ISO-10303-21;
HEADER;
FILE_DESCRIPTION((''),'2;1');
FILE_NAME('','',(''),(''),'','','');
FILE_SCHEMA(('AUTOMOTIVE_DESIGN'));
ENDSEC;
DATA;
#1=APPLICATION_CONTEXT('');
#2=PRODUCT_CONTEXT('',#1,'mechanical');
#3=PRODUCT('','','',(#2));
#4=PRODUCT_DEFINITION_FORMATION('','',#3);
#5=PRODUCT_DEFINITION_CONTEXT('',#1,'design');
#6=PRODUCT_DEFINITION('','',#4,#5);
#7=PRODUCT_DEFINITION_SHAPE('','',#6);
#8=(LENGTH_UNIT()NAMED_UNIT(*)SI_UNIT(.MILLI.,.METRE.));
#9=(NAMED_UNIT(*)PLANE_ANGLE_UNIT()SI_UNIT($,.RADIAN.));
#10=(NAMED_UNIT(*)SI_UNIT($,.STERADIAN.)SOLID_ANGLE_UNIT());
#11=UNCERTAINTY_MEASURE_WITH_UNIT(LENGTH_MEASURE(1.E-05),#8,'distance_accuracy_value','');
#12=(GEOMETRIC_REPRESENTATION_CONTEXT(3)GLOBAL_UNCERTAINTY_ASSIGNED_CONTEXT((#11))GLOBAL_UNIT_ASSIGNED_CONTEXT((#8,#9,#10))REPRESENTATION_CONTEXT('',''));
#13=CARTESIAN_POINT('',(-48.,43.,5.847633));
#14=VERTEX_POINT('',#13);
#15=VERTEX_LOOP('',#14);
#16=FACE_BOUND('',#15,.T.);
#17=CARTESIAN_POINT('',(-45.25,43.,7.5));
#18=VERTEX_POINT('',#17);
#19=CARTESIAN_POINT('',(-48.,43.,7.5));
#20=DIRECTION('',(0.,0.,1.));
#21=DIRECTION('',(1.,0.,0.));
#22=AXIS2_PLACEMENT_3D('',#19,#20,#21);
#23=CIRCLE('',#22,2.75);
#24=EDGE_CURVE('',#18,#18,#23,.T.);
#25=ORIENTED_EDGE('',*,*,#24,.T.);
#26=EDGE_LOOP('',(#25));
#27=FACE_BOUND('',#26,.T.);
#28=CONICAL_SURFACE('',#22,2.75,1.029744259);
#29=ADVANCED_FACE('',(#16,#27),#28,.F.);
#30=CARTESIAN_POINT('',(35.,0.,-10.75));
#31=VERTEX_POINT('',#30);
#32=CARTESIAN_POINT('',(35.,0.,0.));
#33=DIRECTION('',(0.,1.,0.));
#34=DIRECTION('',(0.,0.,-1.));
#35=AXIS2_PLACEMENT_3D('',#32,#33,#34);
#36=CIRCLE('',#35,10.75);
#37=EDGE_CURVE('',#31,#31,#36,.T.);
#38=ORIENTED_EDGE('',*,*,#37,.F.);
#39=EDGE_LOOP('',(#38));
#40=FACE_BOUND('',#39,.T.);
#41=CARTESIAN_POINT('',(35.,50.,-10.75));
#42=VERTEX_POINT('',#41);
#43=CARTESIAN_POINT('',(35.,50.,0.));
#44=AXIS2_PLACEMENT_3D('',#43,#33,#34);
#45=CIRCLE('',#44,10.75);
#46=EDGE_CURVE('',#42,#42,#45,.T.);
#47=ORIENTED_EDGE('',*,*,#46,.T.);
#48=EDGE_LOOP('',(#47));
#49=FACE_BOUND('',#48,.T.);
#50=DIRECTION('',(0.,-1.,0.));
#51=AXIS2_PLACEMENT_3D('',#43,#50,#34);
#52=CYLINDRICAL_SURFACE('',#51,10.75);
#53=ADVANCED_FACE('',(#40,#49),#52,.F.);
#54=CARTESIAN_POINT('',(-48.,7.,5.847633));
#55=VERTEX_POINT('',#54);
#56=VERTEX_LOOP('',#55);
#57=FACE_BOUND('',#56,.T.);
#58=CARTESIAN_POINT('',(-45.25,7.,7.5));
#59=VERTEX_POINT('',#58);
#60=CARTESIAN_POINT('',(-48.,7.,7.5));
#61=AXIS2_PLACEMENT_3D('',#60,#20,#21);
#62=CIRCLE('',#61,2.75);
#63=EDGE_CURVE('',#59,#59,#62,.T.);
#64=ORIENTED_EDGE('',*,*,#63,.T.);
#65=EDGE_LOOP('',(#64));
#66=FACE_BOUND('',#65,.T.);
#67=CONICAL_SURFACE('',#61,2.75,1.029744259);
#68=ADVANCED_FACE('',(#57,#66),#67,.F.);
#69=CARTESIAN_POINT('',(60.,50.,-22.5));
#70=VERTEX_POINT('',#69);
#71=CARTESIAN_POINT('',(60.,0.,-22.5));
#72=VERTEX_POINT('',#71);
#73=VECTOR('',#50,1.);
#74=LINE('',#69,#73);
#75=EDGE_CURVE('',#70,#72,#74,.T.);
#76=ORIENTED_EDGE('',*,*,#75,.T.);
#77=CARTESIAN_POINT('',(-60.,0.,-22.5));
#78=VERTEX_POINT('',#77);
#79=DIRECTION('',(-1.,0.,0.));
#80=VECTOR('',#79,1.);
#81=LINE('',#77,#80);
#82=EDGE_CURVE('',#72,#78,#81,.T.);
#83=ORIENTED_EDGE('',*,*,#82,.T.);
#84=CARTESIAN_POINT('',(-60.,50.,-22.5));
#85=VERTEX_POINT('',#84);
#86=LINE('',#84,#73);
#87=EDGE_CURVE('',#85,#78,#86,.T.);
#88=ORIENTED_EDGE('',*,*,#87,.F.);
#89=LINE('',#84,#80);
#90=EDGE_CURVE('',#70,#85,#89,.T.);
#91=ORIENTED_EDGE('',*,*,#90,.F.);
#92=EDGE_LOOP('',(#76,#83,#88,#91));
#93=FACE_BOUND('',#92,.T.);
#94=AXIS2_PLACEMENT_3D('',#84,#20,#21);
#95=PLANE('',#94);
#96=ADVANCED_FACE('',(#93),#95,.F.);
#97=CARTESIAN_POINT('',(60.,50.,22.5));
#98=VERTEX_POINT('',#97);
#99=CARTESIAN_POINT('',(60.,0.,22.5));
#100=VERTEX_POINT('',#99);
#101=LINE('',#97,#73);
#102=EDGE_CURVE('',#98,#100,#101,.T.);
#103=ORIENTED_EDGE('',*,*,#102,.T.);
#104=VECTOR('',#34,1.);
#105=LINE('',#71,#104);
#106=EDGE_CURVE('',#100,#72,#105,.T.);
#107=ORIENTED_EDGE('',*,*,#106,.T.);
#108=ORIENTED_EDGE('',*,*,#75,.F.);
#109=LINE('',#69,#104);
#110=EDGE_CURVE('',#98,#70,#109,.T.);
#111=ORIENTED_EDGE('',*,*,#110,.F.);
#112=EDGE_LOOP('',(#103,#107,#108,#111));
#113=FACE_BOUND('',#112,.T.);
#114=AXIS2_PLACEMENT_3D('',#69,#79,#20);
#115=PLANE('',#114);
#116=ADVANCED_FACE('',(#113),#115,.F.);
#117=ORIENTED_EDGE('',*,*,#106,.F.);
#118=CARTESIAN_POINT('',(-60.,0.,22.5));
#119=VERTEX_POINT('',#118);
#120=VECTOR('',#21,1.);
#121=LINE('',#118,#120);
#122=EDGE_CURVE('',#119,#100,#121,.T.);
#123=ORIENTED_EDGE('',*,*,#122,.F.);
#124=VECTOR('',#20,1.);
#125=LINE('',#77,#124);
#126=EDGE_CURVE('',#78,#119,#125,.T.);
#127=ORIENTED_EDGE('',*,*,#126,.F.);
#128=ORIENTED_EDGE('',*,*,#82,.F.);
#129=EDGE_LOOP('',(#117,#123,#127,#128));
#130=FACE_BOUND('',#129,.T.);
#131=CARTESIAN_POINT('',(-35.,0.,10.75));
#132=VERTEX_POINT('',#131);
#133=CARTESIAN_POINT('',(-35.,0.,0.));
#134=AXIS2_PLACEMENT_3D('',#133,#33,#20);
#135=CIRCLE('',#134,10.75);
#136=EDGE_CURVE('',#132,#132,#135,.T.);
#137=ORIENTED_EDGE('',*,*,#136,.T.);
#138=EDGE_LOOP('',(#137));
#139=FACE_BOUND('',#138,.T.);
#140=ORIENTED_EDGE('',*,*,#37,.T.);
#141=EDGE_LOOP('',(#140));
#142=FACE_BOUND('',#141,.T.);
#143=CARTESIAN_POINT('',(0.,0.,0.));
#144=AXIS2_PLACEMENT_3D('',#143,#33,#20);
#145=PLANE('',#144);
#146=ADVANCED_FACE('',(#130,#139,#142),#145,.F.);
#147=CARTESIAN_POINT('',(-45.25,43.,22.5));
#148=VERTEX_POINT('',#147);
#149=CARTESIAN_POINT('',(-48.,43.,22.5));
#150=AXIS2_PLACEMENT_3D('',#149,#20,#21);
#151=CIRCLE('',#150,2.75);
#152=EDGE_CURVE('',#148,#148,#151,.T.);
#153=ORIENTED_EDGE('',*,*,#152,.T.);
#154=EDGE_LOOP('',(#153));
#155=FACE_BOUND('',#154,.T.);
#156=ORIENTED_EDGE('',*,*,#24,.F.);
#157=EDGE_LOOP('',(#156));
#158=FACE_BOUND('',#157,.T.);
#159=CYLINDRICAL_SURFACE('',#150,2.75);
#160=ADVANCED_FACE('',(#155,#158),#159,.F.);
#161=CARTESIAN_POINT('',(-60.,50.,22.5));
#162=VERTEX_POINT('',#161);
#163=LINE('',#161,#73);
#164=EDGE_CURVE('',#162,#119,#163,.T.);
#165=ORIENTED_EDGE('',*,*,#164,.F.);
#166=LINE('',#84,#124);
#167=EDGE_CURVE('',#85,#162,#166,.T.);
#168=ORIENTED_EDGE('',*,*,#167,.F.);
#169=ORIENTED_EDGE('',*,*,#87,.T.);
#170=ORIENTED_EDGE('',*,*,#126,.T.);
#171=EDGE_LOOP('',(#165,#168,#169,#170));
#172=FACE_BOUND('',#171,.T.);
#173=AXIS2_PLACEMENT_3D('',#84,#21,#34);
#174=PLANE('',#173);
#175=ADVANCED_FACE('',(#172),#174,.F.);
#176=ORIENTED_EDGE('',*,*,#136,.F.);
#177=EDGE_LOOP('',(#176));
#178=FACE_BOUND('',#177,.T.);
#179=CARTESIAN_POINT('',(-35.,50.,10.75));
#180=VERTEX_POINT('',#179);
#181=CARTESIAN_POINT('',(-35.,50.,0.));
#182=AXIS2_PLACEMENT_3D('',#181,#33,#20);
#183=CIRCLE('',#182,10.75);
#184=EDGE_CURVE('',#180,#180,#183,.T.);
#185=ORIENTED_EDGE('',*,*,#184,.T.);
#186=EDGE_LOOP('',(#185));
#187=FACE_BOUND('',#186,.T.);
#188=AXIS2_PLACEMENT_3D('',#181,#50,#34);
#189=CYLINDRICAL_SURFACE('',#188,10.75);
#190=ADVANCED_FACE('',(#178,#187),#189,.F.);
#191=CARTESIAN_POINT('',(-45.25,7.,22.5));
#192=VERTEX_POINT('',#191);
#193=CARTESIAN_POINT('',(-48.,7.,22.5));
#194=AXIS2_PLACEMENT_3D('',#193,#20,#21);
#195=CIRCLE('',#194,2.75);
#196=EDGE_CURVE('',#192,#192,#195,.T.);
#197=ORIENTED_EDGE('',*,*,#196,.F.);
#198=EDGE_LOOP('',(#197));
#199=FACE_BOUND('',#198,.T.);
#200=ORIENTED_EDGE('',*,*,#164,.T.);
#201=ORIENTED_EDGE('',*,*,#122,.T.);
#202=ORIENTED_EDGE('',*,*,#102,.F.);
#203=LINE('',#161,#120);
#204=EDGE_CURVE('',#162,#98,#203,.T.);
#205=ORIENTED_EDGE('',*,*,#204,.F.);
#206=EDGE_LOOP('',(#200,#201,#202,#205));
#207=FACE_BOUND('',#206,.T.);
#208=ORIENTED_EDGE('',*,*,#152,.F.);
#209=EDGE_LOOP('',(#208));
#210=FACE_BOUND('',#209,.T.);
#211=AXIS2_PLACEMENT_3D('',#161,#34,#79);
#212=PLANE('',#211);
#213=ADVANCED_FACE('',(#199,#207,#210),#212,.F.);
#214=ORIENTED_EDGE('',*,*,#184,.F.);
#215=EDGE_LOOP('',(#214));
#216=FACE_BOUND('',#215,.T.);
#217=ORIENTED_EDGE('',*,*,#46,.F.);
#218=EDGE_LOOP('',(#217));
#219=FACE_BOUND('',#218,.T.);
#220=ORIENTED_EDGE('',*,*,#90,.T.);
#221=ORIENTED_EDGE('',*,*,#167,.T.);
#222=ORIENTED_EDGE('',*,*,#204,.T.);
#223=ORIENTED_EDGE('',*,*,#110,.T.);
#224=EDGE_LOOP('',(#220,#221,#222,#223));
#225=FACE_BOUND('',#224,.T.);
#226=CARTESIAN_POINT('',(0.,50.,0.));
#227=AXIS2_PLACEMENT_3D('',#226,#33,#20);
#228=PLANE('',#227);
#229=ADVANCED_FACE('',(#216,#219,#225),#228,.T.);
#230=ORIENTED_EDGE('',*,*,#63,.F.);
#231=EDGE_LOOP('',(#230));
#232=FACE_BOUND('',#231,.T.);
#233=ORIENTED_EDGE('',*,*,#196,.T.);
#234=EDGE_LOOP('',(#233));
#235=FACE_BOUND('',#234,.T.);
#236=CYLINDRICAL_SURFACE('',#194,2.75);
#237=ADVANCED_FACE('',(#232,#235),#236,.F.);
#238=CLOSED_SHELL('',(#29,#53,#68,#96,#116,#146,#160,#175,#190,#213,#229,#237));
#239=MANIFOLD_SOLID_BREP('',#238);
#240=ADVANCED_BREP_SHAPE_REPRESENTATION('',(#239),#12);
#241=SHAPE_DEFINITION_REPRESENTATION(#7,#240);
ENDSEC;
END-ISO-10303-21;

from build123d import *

# Parameters (mm, degrees)
SKETCH_1_W             = 120
SKETCH_1_H             = 45
SKETCH_1_R             = 10.75
EXTRUDE_1_DEPTH        = 50
HOLE_WIZARD_M6_1_D     = 5.5
HOLE_WIZARD_M6_1_DEPTH = 15
HOLE_WIZARD_M6_1_TIP   = 1.652366702


with BuildPart() as part:
    # 草图1 → 凸台-拉伸1 (new body)
    with BuildSketch(Plane(origin=(0, 0, 0), x_dir=(1, 0, 0), z_dir=(0, 1, 0))):
        Rectangle(SKETCH_1_W, SKETCH_1_H)
        with Locations(Location((-35, 0, 0), (0, 0, 270))):
            Circle(SKETCH_1_R, mode=Mode.SUBTRACT)
        with Locations(Location((35, 0, 0), (0, 0, 90))):
            Circle(SKETCH_1_R, mode=Mode.SUBTRACT)
    extrude(amount=EXTRUDE_1_DEPTH)

    # M6 螺纹孔1
    with Locations(Plane(origin=(-48, 43, 22.5), x_dir=(1, 0, 0), z_dir=(0, 0, 1))):
        with Locations((0, 0), (0, -36)):
            Hole(HOLE_WIZARD_M6_1_D / 2, depth=HOLE_WIZARD_M6_1_DEPTH)
            with Locations((0, 0, -(HOLE_WIZARD_M6_1_DEPTH + HOLE_WIZARD_M6_1_TIP / 2))):  # 118° drill point
                Cone(0, HOLE_WIZARD_M6_1_D / 2, HOLE_WIZARD_M6_1_TIP, mode=Mode.SUBTRACT)


solid = part.part
